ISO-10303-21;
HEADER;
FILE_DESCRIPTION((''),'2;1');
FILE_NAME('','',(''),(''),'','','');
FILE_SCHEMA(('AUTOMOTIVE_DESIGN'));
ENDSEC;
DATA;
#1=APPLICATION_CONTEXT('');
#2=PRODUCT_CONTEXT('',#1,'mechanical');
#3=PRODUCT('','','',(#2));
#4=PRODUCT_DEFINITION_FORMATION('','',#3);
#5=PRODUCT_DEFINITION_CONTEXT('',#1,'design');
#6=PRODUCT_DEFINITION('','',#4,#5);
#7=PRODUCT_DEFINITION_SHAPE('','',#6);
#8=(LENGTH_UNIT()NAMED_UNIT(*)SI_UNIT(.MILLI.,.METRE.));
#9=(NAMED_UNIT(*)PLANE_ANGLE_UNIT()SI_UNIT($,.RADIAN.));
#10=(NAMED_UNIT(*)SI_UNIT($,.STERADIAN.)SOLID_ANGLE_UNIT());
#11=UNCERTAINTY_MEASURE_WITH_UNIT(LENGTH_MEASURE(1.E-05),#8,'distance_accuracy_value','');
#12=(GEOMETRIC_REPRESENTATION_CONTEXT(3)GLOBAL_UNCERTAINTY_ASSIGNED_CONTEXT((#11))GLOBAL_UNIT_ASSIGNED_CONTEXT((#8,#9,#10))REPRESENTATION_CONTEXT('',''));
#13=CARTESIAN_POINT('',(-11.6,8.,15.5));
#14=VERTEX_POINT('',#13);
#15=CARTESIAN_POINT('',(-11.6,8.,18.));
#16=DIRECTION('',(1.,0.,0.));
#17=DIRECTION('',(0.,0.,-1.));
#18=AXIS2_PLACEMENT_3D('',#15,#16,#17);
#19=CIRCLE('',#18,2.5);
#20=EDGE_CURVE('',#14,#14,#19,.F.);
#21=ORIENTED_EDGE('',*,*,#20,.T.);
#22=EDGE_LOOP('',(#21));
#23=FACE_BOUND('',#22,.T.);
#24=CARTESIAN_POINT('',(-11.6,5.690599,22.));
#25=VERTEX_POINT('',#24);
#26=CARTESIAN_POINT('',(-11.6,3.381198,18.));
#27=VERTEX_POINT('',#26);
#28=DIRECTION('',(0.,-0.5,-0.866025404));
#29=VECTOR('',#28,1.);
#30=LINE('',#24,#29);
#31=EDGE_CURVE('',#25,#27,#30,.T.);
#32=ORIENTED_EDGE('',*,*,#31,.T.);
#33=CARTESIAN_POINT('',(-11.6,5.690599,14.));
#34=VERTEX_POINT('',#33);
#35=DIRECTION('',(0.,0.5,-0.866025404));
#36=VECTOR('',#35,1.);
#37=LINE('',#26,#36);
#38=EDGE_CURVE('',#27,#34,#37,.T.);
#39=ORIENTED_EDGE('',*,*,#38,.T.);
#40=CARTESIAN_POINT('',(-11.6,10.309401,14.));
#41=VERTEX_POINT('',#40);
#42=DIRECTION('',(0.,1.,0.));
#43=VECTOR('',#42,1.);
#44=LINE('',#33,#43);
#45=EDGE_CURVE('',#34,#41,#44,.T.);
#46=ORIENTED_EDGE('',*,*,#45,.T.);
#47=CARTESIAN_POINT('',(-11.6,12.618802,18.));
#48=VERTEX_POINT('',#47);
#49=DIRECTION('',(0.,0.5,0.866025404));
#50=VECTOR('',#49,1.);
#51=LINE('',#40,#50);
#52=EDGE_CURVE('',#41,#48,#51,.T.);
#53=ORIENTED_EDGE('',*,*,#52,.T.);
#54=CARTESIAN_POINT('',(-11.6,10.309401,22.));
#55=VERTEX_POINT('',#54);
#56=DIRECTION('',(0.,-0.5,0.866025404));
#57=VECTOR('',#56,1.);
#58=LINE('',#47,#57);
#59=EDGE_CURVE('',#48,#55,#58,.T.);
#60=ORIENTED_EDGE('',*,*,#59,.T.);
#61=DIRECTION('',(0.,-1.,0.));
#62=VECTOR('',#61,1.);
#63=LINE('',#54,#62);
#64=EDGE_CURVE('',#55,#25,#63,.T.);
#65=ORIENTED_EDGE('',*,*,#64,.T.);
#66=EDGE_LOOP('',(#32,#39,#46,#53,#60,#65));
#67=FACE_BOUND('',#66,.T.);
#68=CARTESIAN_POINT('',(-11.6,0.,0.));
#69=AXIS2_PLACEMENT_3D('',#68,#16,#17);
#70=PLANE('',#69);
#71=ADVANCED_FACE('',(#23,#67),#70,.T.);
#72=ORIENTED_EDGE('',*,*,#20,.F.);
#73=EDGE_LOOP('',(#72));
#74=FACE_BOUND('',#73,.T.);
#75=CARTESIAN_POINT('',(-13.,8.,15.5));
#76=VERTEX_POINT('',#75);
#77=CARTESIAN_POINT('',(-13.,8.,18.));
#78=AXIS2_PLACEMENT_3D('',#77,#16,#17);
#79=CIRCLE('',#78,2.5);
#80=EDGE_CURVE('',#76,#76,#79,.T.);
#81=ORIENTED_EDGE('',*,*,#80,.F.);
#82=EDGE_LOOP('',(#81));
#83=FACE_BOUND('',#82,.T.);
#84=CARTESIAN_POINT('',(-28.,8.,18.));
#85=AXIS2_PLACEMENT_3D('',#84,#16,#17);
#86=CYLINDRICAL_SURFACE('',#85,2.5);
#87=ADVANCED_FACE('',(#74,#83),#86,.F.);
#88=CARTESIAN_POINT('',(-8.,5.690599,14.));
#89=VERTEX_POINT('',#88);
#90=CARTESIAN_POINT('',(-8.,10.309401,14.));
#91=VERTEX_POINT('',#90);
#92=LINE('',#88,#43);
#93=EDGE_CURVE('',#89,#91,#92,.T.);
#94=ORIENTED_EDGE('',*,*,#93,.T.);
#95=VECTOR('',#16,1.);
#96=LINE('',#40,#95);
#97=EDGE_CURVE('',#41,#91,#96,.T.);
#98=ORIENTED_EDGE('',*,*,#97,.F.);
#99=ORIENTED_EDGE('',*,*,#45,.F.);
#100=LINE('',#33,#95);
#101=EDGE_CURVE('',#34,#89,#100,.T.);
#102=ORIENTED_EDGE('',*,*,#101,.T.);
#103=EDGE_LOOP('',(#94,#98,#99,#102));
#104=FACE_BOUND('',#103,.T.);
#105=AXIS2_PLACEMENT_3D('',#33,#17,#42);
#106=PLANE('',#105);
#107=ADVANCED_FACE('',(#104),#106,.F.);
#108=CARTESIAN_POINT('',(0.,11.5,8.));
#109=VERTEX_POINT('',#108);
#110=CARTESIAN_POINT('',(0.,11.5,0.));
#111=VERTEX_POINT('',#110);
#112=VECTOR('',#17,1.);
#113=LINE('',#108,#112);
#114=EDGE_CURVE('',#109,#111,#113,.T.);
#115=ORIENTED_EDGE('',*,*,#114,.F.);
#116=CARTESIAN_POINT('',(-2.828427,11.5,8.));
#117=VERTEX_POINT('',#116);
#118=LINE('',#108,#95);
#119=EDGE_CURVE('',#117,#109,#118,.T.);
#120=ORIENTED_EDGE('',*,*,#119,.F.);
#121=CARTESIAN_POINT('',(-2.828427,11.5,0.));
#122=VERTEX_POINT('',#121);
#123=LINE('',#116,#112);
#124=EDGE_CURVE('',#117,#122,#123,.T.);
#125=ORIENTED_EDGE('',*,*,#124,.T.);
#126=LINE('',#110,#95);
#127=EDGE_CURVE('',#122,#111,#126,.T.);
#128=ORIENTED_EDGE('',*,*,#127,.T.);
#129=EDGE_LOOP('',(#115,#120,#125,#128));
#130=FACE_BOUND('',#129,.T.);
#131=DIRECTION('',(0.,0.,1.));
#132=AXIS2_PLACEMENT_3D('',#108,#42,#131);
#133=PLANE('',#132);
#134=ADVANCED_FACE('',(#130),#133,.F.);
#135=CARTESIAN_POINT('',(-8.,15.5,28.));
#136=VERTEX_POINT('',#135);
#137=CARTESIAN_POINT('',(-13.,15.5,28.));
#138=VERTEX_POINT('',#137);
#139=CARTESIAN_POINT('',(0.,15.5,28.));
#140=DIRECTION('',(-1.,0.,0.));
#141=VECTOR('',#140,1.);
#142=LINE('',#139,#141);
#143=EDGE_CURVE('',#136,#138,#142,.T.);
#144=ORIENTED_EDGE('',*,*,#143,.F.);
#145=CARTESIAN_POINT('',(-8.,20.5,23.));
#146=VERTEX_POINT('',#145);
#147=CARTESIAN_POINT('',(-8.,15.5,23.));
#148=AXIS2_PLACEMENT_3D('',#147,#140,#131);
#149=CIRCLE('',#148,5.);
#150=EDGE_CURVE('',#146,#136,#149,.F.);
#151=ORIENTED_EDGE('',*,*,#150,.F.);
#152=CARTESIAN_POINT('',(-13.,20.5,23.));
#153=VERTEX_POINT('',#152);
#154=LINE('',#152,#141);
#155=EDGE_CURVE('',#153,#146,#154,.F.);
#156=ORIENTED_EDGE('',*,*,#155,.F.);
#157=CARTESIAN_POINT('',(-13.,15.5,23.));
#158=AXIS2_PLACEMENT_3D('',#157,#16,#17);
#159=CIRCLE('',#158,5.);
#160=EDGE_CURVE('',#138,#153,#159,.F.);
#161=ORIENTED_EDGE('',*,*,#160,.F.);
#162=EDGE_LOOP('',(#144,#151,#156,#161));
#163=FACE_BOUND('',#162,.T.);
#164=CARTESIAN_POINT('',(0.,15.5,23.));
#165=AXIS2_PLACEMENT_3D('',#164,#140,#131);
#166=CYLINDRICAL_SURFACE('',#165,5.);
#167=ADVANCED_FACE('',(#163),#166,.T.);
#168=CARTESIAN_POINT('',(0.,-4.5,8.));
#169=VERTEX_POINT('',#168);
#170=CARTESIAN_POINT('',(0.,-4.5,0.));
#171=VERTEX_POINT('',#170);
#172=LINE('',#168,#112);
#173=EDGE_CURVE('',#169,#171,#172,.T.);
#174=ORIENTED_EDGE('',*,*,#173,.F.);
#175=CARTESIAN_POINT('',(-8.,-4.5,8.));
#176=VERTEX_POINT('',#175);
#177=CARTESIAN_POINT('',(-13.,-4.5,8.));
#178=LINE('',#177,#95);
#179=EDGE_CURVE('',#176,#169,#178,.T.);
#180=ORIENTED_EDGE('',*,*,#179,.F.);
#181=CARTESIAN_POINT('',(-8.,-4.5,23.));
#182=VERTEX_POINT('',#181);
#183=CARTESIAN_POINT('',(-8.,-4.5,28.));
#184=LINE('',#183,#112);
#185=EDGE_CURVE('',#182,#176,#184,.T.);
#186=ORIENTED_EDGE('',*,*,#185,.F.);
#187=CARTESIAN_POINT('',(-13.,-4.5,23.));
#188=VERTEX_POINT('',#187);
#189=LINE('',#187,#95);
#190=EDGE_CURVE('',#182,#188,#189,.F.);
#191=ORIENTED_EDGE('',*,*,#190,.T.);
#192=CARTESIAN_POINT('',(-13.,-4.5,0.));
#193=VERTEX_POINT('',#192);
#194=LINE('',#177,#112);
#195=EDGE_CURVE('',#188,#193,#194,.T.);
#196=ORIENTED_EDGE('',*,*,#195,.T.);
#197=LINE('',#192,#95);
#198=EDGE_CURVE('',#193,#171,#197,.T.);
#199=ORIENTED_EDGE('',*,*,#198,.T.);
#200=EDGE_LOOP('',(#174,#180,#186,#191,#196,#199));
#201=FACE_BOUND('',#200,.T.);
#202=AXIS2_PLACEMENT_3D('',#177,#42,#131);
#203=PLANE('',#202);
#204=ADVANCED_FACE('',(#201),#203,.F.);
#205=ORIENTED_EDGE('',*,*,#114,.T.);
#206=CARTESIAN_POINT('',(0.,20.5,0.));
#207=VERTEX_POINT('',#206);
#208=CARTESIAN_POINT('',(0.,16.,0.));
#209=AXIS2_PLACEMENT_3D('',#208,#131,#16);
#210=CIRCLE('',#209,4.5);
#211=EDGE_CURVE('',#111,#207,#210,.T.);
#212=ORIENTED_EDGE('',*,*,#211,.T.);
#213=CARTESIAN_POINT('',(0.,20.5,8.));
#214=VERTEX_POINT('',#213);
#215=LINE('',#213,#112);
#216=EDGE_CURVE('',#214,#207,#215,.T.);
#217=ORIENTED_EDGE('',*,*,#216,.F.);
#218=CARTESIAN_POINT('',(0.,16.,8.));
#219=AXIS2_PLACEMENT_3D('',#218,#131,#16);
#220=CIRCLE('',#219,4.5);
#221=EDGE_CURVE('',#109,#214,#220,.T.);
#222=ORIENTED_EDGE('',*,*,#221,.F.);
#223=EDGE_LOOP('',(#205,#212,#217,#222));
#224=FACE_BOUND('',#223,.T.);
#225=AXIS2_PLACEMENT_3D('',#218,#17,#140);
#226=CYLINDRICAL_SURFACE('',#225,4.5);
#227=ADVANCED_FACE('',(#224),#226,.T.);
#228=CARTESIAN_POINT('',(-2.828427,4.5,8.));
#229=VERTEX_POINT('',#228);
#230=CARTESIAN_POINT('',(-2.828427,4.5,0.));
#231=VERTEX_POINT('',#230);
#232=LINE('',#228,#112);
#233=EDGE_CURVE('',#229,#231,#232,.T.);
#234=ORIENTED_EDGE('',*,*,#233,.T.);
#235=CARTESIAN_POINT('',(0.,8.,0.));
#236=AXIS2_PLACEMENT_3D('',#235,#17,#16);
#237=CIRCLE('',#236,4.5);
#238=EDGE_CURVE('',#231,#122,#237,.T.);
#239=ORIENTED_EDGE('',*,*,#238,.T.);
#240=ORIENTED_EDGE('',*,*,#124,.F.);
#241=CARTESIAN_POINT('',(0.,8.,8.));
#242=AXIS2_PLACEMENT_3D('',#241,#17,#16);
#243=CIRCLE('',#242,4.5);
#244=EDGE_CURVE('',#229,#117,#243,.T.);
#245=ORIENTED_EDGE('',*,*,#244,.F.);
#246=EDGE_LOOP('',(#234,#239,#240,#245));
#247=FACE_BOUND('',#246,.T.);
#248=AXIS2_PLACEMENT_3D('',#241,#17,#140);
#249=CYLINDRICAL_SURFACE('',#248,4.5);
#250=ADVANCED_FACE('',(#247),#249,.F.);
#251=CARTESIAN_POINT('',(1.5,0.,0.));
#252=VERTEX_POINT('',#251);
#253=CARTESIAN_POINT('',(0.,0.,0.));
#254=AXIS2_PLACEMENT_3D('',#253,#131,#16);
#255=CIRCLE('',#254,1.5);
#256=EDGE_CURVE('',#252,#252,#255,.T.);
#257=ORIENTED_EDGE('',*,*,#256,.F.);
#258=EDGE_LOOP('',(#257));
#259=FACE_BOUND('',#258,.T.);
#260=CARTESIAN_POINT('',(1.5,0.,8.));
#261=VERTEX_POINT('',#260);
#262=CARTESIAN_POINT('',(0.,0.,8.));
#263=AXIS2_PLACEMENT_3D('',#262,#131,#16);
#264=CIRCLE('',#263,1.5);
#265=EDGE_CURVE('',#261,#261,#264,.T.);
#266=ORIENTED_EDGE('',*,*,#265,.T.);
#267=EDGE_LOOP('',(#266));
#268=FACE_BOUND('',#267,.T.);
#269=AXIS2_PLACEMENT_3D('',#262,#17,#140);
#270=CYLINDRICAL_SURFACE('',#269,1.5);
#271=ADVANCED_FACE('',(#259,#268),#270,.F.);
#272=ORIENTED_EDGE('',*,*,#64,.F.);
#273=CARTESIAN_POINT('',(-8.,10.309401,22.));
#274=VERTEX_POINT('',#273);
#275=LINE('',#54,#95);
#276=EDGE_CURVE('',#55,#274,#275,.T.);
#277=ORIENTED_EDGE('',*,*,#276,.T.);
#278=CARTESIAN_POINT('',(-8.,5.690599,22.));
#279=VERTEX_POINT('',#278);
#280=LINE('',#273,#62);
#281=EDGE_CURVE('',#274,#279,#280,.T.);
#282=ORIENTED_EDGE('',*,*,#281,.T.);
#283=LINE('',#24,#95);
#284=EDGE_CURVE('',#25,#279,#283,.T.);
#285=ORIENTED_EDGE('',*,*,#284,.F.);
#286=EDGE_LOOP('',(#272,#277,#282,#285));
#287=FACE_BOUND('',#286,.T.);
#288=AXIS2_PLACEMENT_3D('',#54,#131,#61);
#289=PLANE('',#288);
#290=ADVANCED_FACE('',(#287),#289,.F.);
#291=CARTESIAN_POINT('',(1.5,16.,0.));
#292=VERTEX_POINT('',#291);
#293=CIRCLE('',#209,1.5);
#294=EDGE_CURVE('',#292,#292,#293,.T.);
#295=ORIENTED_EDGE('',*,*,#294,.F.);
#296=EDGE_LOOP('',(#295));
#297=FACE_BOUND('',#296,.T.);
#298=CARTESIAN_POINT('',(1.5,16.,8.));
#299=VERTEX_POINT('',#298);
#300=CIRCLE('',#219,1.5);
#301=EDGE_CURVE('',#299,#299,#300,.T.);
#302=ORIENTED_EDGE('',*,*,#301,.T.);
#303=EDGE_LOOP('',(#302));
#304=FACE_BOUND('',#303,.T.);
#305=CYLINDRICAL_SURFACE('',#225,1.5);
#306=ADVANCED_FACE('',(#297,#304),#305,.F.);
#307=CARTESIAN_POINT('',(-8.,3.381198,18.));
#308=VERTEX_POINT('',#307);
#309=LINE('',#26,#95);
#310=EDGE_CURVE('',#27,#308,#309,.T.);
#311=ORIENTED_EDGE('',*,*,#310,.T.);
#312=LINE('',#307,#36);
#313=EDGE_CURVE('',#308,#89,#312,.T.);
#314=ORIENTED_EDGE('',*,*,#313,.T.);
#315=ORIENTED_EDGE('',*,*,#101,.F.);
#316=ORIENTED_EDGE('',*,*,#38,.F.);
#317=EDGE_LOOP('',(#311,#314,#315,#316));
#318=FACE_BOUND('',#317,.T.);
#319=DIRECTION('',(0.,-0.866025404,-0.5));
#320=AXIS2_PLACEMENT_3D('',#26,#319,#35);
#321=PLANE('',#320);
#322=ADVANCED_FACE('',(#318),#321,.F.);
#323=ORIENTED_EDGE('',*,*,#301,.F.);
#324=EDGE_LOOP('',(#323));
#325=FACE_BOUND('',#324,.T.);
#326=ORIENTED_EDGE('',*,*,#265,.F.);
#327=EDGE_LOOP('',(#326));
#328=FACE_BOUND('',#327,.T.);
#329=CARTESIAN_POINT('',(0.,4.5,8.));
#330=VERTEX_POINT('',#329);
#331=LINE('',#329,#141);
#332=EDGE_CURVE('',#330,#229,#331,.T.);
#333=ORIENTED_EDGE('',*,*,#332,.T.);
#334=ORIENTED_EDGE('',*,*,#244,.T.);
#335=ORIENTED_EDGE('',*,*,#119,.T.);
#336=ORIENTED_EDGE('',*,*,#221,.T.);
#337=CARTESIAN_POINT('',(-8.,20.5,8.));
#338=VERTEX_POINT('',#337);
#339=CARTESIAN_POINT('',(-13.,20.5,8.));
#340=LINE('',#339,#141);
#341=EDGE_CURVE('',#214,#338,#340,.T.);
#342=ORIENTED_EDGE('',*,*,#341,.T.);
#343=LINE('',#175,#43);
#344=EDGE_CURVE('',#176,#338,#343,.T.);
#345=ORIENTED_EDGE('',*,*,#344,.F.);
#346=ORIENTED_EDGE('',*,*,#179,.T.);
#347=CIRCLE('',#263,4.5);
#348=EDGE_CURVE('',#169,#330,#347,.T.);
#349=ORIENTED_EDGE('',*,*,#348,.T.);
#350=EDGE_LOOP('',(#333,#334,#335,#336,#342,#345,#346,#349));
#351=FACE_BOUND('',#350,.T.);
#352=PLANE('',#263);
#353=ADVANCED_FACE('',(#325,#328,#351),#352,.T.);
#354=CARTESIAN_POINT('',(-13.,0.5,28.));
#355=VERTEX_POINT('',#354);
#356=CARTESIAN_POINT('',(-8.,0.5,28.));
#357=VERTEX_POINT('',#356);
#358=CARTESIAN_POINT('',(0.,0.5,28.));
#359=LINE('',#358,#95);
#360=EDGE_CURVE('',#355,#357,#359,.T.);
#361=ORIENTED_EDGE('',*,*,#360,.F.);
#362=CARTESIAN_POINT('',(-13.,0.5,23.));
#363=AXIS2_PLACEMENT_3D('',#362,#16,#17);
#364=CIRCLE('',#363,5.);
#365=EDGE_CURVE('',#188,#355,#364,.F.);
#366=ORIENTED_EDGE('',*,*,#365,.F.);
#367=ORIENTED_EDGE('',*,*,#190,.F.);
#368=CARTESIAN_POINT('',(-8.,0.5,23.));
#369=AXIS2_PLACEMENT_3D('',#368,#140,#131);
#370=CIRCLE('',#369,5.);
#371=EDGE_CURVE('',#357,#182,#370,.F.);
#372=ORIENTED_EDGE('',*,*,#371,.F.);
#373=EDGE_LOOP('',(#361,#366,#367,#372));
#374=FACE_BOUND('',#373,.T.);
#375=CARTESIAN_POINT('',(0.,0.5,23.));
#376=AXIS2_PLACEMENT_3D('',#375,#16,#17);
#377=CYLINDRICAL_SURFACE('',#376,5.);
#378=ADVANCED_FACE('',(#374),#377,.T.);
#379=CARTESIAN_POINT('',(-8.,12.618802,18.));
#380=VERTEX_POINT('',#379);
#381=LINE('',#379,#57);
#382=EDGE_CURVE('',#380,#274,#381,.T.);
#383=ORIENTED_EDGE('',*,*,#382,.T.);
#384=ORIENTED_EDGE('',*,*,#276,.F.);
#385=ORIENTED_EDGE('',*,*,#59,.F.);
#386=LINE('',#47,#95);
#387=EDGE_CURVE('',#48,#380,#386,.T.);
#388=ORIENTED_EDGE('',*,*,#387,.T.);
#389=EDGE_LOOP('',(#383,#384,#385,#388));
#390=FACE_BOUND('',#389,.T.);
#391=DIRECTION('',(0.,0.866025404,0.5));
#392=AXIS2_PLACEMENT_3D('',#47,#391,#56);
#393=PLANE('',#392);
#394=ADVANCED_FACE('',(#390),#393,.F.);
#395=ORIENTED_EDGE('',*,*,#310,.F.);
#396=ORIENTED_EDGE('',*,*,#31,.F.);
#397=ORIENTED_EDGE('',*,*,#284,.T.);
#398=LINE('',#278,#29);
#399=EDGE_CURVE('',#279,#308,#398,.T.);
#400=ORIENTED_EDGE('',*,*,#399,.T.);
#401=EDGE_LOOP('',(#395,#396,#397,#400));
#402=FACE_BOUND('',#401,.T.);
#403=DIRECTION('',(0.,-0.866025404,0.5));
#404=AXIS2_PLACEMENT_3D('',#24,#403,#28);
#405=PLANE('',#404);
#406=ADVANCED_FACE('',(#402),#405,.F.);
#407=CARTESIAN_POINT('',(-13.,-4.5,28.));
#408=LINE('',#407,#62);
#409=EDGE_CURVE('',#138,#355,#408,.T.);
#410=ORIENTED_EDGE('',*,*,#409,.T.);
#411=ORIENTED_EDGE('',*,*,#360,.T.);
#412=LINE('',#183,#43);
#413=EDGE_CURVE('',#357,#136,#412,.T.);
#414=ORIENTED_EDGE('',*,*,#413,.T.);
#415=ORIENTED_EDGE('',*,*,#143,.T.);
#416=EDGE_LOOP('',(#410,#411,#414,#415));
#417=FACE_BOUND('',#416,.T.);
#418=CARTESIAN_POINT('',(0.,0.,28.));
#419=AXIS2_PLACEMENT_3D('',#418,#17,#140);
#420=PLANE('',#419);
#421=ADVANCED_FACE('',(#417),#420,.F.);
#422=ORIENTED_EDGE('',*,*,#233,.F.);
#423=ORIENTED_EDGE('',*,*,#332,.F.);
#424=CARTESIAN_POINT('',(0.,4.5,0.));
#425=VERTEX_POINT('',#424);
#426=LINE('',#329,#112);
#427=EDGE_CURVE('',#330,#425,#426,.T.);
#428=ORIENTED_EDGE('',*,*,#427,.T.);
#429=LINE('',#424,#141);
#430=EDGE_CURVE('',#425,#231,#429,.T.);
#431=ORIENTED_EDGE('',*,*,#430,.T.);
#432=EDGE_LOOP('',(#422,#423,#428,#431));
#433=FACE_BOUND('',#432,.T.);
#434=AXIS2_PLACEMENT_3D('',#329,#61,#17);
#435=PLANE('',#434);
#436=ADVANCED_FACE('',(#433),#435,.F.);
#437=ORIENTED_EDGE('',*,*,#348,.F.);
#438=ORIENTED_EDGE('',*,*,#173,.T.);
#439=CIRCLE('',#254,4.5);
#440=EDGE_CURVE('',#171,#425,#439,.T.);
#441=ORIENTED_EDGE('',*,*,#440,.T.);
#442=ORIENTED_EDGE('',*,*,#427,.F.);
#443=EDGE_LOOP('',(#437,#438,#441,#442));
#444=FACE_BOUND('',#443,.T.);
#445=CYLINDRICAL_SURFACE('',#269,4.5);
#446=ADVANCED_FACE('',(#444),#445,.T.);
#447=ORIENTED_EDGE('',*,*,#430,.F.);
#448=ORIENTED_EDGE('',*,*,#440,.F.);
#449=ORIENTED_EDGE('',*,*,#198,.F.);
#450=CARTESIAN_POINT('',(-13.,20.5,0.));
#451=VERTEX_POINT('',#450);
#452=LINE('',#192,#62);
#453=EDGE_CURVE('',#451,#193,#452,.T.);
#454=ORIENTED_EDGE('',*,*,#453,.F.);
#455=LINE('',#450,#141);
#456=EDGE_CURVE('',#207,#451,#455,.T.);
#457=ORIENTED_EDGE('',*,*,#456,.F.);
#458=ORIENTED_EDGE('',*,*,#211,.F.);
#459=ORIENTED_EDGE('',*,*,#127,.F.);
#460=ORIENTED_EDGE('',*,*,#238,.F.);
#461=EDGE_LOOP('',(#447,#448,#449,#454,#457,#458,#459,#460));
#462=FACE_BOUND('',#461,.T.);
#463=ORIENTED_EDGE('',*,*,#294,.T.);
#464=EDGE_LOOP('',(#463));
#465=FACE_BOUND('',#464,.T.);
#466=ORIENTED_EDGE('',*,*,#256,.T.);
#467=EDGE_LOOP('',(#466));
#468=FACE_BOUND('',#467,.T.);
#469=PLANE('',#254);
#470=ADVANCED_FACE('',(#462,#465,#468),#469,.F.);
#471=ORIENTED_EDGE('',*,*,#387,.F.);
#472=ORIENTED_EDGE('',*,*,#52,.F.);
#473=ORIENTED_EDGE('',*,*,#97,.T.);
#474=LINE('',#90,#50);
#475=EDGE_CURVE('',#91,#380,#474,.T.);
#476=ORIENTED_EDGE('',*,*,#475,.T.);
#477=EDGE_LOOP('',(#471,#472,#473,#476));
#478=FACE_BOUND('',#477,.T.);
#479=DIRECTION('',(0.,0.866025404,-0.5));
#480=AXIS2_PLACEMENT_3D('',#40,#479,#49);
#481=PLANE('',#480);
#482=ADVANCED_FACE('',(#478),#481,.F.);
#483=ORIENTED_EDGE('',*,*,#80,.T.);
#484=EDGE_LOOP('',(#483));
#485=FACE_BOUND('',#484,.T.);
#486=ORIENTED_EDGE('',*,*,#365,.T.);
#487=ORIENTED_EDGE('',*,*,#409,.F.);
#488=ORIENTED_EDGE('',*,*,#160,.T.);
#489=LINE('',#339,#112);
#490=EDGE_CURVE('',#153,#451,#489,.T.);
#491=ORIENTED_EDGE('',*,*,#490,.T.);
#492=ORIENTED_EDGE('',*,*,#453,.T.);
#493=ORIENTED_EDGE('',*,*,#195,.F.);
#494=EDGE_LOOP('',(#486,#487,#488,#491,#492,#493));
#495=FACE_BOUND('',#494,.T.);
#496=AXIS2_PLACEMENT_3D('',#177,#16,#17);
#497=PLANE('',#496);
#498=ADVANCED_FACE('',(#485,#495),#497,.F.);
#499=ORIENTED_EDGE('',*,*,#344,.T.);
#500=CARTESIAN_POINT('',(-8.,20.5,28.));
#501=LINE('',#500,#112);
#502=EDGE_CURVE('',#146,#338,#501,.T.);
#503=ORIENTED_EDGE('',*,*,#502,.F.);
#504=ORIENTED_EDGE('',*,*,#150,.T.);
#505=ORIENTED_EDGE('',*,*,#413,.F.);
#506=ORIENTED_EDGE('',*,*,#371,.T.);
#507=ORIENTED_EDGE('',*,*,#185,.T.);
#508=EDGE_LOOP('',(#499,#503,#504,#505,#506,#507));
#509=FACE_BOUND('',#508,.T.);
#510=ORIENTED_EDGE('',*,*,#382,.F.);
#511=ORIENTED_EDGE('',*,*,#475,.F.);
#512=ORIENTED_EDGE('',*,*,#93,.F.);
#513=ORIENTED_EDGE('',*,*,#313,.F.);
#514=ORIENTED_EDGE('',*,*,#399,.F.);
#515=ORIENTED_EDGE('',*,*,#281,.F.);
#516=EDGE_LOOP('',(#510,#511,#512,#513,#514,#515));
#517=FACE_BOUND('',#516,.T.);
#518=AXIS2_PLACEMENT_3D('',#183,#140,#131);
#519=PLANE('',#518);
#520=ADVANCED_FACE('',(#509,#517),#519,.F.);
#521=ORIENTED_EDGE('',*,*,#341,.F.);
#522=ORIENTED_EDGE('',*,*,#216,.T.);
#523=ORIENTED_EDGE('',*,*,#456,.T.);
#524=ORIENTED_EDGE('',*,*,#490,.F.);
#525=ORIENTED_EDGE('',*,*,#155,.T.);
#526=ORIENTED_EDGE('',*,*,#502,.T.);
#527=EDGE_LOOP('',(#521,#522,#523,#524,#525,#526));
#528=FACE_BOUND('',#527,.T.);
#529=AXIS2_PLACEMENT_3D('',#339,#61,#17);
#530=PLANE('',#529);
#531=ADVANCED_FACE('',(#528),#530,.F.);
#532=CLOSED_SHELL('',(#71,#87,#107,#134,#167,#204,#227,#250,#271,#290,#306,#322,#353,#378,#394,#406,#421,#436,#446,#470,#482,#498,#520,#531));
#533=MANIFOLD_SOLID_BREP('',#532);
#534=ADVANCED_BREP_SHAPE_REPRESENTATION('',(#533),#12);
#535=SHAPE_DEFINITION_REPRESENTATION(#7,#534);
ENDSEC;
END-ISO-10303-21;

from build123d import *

# Parameters (mm, degrees)
CROQUIS1_R              = 1.5
SALIENTE_EXTRUIR1_DEPTH = 8
CROQUIS2_W              = 5
CROQUIS2_H              = 25
SALIENTE_EXTRUIR2_DEPTH = 20
CROQUIS3_R              = 2.5
CORTAR_EXTRUIR1_DEPTH   = 20
CORTAR_EXTRUIR2_DEPTH   = 3.6
REDONDEO1_R             = 5


with BuildPart() as part:
    # Croquis1 → Saliente-Extruir1 (new body)
    with BuildSketch(Plane.XY):
        with BuildLine():
            Line((-13, 20.5), (0, 20.5))
            ThreePointArc((0, 20.5), (4.5, 16), (0, 11.5))
            Line((0, 11.5), (-2.828427125, 11.5))
            ThreePointArc((-2.828427125, 11.5), (-4.5, 8), (-2.828427125, 4.5))
            Line((-2.828427125, 4.5), (0, 4.5))
            ThreePointArc((0, 4.5), (4.5, 0), (0, -4.5))
            Line((0, -4.5), (-13, -4.5))
            Line((-13, -4.5), (-13, 20.5))
        make_face()
        Circle(CROQUIS1_R, mode=Mode.SUBTRACT)
        with Locations((0, 16)):
            Circle(CROQUIS1_R, mode=Mode.SUBTRACT)
    extrude(amount=SALIENTE_EXTRUIR1_DEPTH)

    # Croquis2 → Saliente-Extruir2 (add)
    with BuildSketch(Plane.XY.offset(8)):
        with Locations((-10.5, 8)):
            Rectangle(CROQUIS2_W, CROQUIS2_H)
    extrude(amount=SALIENTE_EXTRUIR2_DEPTH)

    # Croquis3 → Cortar-Extruir1 (cut)
    with BuildSketch(Plane(origin=(-8, 0, 0), x_dir=(0, 0, -1), z_dir=(1, 0, 0))):
        with Locations((-18, 8)):
            Circle(CROQUIS3_R)
    extrude(amount=-CORTAR_EXTRUIR1_DEPTH, mode=Mode.SUBTRACT)

    # Croquis4 → Cortar-Extruir2 (cut)
    with BuildSketch(Plane(origin=(-8, 0, 0), x_dir=(0, 0, -1), z_dir=(1, 0, 0))):
        Polygon((-18, 3.381197846), (-14, 5.690598923), (-14, 10.309401077), (-18, 12.618802154), (-22, 10.309401077), (-22, 5.690598923), align=None)
    extrude(amount=-CORTAR_EXTRUIR2_DEPTH, mode=Mode.SUBTRACT)

    # Redondeo1
    redondeo1_edges = [part.edges().sort_by_distance(p)[0] for p in [
        (-10.5, -4.5, 28),
        (-10.5, 20.5, 28),
    ]]
    fillet(redondeo1_edges, radius=REDONDEO1_R)


solid = part.part
